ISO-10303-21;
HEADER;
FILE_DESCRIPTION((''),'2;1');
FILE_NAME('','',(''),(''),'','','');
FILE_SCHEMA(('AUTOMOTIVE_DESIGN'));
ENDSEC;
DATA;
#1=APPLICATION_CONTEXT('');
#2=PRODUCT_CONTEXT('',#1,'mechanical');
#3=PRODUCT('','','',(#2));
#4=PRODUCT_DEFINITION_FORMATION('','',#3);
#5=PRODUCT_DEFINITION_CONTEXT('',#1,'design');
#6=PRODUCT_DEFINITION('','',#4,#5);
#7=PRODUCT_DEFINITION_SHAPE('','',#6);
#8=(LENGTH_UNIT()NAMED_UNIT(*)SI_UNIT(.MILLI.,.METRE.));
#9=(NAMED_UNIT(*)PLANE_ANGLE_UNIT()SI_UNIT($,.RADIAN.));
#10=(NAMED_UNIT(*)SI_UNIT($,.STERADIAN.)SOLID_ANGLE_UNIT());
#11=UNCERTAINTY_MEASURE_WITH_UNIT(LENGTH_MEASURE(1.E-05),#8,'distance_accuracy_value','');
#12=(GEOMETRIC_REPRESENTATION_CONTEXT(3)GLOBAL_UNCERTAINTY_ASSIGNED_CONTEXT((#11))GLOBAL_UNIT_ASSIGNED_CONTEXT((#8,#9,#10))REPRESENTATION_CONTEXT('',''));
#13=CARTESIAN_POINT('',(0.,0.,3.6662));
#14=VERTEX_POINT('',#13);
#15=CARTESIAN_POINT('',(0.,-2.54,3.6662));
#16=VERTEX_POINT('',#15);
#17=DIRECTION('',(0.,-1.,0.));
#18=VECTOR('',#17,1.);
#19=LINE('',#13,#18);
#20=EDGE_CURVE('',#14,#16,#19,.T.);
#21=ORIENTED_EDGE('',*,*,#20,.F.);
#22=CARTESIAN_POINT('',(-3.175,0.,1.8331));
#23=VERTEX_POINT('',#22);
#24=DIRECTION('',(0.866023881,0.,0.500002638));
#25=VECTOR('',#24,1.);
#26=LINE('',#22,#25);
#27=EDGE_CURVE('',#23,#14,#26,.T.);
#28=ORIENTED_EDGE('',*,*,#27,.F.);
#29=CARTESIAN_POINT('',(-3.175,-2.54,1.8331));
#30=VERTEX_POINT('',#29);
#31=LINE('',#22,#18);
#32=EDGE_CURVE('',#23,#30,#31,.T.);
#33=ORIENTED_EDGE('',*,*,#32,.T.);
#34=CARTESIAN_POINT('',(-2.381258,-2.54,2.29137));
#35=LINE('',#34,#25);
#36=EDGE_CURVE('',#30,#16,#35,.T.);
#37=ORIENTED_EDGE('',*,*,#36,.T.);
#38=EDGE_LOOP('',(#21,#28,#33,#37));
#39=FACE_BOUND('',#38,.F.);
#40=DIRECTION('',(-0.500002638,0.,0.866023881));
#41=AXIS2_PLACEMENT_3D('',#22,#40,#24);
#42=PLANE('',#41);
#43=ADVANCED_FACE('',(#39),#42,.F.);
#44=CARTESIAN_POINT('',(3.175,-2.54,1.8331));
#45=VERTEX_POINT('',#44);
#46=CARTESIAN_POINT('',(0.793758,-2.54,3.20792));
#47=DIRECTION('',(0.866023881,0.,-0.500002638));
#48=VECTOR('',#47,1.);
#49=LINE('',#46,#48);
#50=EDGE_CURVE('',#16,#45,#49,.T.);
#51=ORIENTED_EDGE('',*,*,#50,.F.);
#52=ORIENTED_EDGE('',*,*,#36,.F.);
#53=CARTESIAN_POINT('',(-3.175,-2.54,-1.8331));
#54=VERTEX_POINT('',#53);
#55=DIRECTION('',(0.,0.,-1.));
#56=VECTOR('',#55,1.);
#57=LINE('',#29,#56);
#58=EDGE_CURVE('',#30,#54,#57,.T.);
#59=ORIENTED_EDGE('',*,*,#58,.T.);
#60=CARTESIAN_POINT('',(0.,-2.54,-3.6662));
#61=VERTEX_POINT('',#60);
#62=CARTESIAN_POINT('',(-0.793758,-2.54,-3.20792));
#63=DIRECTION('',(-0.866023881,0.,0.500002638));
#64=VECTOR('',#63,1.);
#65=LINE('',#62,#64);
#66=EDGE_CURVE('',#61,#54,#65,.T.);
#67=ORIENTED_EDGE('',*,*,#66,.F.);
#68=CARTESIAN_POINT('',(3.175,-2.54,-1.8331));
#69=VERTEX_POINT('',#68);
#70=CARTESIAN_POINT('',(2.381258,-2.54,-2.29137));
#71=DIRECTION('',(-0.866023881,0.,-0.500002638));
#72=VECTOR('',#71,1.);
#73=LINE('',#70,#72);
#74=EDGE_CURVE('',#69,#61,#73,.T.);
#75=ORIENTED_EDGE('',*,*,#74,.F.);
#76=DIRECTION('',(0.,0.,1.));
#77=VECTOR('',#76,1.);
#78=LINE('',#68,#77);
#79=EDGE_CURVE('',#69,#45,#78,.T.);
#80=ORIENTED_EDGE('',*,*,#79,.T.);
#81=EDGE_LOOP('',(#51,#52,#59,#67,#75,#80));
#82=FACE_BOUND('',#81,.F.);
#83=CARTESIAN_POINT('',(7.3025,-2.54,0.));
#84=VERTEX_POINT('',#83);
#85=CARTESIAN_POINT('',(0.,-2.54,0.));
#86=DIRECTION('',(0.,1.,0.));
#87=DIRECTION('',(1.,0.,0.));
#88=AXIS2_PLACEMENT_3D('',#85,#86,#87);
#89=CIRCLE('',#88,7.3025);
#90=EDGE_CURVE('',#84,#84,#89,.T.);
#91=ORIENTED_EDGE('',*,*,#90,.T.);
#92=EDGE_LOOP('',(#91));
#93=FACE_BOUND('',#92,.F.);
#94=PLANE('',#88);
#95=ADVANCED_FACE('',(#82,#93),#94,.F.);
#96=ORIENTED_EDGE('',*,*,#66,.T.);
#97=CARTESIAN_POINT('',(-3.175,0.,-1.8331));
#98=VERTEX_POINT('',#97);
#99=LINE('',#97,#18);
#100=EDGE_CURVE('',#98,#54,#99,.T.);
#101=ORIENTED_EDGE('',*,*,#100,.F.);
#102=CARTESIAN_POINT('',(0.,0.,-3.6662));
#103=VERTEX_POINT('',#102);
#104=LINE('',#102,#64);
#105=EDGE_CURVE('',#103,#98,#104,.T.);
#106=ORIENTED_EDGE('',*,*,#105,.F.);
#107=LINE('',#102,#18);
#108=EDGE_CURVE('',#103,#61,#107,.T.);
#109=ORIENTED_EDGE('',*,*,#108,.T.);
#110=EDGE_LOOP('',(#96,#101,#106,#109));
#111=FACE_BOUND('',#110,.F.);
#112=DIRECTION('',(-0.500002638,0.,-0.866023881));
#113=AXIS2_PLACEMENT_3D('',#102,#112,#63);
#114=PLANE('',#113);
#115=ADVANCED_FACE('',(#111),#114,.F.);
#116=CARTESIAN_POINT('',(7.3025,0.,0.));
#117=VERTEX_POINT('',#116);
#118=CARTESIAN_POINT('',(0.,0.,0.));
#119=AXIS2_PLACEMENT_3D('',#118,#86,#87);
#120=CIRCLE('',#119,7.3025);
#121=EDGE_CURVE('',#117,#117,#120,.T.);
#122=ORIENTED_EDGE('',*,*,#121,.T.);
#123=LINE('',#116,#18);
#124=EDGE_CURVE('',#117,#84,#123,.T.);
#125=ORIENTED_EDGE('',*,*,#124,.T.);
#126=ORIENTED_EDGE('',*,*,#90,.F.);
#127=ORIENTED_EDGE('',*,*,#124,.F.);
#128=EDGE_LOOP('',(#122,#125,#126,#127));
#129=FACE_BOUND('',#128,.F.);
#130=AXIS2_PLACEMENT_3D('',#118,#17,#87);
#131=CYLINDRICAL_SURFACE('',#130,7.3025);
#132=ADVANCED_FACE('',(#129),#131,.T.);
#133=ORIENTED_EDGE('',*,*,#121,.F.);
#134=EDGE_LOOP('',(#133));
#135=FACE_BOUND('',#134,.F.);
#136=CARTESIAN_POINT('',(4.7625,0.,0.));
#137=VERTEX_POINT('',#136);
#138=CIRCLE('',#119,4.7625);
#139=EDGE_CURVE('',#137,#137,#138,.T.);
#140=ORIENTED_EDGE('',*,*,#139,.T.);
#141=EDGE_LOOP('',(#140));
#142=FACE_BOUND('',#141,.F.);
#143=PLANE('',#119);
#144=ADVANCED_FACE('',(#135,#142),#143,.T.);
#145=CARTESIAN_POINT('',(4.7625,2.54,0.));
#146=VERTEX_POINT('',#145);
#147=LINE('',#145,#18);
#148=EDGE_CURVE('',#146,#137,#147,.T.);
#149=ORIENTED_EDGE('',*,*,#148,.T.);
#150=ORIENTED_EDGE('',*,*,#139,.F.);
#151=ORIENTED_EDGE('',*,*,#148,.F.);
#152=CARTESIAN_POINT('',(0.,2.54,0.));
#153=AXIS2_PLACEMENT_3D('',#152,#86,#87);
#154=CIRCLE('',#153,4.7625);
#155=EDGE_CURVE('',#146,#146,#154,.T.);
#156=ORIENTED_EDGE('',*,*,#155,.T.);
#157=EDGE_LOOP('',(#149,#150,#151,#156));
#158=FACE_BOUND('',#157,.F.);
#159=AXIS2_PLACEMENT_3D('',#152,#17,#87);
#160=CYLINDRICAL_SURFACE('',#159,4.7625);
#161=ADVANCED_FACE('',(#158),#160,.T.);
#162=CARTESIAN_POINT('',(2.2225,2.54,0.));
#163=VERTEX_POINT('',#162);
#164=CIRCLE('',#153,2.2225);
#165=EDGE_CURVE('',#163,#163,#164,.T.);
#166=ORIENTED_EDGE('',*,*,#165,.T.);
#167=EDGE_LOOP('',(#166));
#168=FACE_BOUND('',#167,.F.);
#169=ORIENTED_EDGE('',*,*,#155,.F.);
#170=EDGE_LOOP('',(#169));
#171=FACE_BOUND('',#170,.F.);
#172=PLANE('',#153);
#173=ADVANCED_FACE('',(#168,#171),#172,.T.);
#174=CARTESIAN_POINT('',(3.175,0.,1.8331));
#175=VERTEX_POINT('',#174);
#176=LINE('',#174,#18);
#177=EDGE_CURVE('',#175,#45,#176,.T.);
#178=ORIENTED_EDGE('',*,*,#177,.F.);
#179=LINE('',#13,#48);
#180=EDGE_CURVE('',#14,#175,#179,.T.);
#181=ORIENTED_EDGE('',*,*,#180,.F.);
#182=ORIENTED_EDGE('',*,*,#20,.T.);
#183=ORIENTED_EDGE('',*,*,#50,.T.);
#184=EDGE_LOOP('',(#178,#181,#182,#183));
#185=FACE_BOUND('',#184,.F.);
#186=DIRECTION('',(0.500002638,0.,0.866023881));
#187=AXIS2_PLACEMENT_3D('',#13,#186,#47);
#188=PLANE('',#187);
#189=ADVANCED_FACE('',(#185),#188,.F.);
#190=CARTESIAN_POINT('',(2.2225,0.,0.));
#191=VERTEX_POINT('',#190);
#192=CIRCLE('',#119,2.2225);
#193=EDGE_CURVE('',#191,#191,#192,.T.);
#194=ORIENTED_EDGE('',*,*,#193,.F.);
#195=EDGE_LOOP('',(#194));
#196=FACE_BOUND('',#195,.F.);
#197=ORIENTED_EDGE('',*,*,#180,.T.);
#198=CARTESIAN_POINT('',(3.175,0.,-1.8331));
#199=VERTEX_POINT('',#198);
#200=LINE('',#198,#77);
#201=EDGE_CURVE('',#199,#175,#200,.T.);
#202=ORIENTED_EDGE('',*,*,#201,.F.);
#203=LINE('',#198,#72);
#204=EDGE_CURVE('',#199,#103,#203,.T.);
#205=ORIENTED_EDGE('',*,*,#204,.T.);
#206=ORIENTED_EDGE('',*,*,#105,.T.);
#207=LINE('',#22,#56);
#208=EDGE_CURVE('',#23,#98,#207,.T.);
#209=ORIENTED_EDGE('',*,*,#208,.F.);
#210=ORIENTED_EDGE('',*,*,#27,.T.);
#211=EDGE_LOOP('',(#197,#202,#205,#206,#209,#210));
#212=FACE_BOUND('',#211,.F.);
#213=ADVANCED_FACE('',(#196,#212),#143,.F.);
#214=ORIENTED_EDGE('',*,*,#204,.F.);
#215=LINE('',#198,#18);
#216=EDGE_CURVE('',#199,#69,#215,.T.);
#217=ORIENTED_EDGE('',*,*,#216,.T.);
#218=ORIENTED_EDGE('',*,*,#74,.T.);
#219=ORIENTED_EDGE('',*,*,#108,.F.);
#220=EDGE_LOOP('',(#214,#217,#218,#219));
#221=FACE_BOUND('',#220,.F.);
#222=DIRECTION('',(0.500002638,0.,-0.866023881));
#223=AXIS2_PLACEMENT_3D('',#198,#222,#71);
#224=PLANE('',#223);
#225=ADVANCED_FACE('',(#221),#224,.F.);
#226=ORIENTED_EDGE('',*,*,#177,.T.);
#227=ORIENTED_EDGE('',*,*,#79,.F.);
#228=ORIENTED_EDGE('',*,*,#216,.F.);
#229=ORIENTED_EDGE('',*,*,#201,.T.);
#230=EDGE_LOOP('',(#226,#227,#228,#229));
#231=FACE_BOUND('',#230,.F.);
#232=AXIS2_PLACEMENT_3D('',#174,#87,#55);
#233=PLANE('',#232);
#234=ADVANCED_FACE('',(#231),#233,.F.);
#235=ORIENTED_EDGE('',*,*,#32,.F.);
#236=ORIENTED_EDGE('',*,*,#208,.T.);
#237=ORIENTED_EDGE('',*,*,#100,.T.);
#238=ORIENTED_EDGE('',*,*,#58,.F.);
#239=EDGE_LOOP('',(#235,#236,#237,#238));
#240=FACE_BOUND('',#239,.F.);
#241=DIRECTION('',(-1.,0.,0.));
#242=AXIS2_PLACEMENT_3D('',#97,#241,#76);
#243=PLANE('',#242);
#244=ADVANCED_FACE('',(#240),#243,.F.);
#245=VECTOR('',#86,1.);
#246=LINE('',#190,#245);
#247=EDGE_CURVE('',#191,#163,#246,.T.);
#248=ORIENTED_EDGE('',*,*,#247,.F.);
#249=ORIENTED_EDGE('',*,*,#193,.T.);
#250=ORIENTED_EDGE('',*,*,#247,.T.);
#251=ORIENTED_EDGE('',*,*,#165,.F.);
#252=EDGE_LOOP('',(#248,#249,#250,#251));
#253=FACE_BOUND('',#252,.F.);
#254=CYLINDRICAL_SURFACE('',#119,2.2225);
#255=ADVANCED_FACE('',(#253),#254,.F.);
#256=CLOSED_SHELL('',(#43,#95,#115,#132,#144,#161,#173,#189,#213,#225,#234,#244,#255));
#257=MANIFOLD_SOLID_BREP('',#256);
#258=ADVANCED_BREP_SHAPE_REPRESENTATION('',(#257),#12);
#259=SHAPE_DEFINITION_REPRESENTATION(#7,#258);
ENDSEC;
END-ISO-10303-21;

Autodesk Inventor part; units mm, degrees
ref_plane "YZ Plane" through (0, 0, 0) normal (1, 0, 0) x (0, 1, 0)
ref_plane "XZ Plane" through (0, 0, 0) normal (0, 1, 0) x (-1, 0, 0)
ref_plane "XY Plane" through (0, 0, 0) normal (0, 0, 1) x (1, 0, 0)
sketch "Sketch1" plane through (0, 0, 0) normal (0, 0, 1) x (1, 0, 0)
  line L0 (2.2225, 0) -> (2.2225, 2.54)
  line L1 (2.2225, 2.54) -> (4.7625, 2.54)
  line L2 (4.7625, 2.54) -> (4.7625, 0)
  line L3 (4.7625, 0) -> (7.3025, 0)
  line L4 (7.3025, 0) -> (7.3025, -2.54)
  line L5 (7.3025, -2.54) -> (3.175, -2.54)
  line L6 (3.175, -2.54) -> (3.175, 0)
  line L7 (3.175, 0) -> (2.2225, 0)
  line L8 (-5.2705, 0) -> (9.398, 0) projected
  line L9 (0, -3.556) -> (0, 3.556) projected
  point P0 (0, 0)
  dimension "d0" = 2.2225
  dimension "d1" = 4.7625
  dimension "d2" = 2.54
  dimension "d3" = 2.54
  dimension "d4" = 2.54
  dimension "d7" = 3.175
revolve "Revolution1" add sketch "Sketch1" angle 360 about axis through (0, -10, 0) along (0, 1, 0)
sketch "Sketch2" plane through (0, 0, 0) normal (0, -1, 0) x (1, 0, 0)
  line L0 (0, 3.6662) -> (3.175, 1.8331)
  line L1 (3.175, 1.8331) -> (3.175, -1.8331)
  line L2 (3.175, -1.8331) -> (0, -3.6662)
  line L3 (0, -3.6662) -> (-3.175, -1.8331)
  line L4 (-3.175, -1.8331) -> (-3.175, 1.8331)
  line L5 (-3.175, 1.8331) -> (0, 3.6662)
  point P0 (0, 0)
  point P1 (0, 0)
  dimension "d8" = 6.35
extrude "Extrusion1" cut sketch "Sketch2" along normal blind 25.4
properties part number "Standoff Connector"
